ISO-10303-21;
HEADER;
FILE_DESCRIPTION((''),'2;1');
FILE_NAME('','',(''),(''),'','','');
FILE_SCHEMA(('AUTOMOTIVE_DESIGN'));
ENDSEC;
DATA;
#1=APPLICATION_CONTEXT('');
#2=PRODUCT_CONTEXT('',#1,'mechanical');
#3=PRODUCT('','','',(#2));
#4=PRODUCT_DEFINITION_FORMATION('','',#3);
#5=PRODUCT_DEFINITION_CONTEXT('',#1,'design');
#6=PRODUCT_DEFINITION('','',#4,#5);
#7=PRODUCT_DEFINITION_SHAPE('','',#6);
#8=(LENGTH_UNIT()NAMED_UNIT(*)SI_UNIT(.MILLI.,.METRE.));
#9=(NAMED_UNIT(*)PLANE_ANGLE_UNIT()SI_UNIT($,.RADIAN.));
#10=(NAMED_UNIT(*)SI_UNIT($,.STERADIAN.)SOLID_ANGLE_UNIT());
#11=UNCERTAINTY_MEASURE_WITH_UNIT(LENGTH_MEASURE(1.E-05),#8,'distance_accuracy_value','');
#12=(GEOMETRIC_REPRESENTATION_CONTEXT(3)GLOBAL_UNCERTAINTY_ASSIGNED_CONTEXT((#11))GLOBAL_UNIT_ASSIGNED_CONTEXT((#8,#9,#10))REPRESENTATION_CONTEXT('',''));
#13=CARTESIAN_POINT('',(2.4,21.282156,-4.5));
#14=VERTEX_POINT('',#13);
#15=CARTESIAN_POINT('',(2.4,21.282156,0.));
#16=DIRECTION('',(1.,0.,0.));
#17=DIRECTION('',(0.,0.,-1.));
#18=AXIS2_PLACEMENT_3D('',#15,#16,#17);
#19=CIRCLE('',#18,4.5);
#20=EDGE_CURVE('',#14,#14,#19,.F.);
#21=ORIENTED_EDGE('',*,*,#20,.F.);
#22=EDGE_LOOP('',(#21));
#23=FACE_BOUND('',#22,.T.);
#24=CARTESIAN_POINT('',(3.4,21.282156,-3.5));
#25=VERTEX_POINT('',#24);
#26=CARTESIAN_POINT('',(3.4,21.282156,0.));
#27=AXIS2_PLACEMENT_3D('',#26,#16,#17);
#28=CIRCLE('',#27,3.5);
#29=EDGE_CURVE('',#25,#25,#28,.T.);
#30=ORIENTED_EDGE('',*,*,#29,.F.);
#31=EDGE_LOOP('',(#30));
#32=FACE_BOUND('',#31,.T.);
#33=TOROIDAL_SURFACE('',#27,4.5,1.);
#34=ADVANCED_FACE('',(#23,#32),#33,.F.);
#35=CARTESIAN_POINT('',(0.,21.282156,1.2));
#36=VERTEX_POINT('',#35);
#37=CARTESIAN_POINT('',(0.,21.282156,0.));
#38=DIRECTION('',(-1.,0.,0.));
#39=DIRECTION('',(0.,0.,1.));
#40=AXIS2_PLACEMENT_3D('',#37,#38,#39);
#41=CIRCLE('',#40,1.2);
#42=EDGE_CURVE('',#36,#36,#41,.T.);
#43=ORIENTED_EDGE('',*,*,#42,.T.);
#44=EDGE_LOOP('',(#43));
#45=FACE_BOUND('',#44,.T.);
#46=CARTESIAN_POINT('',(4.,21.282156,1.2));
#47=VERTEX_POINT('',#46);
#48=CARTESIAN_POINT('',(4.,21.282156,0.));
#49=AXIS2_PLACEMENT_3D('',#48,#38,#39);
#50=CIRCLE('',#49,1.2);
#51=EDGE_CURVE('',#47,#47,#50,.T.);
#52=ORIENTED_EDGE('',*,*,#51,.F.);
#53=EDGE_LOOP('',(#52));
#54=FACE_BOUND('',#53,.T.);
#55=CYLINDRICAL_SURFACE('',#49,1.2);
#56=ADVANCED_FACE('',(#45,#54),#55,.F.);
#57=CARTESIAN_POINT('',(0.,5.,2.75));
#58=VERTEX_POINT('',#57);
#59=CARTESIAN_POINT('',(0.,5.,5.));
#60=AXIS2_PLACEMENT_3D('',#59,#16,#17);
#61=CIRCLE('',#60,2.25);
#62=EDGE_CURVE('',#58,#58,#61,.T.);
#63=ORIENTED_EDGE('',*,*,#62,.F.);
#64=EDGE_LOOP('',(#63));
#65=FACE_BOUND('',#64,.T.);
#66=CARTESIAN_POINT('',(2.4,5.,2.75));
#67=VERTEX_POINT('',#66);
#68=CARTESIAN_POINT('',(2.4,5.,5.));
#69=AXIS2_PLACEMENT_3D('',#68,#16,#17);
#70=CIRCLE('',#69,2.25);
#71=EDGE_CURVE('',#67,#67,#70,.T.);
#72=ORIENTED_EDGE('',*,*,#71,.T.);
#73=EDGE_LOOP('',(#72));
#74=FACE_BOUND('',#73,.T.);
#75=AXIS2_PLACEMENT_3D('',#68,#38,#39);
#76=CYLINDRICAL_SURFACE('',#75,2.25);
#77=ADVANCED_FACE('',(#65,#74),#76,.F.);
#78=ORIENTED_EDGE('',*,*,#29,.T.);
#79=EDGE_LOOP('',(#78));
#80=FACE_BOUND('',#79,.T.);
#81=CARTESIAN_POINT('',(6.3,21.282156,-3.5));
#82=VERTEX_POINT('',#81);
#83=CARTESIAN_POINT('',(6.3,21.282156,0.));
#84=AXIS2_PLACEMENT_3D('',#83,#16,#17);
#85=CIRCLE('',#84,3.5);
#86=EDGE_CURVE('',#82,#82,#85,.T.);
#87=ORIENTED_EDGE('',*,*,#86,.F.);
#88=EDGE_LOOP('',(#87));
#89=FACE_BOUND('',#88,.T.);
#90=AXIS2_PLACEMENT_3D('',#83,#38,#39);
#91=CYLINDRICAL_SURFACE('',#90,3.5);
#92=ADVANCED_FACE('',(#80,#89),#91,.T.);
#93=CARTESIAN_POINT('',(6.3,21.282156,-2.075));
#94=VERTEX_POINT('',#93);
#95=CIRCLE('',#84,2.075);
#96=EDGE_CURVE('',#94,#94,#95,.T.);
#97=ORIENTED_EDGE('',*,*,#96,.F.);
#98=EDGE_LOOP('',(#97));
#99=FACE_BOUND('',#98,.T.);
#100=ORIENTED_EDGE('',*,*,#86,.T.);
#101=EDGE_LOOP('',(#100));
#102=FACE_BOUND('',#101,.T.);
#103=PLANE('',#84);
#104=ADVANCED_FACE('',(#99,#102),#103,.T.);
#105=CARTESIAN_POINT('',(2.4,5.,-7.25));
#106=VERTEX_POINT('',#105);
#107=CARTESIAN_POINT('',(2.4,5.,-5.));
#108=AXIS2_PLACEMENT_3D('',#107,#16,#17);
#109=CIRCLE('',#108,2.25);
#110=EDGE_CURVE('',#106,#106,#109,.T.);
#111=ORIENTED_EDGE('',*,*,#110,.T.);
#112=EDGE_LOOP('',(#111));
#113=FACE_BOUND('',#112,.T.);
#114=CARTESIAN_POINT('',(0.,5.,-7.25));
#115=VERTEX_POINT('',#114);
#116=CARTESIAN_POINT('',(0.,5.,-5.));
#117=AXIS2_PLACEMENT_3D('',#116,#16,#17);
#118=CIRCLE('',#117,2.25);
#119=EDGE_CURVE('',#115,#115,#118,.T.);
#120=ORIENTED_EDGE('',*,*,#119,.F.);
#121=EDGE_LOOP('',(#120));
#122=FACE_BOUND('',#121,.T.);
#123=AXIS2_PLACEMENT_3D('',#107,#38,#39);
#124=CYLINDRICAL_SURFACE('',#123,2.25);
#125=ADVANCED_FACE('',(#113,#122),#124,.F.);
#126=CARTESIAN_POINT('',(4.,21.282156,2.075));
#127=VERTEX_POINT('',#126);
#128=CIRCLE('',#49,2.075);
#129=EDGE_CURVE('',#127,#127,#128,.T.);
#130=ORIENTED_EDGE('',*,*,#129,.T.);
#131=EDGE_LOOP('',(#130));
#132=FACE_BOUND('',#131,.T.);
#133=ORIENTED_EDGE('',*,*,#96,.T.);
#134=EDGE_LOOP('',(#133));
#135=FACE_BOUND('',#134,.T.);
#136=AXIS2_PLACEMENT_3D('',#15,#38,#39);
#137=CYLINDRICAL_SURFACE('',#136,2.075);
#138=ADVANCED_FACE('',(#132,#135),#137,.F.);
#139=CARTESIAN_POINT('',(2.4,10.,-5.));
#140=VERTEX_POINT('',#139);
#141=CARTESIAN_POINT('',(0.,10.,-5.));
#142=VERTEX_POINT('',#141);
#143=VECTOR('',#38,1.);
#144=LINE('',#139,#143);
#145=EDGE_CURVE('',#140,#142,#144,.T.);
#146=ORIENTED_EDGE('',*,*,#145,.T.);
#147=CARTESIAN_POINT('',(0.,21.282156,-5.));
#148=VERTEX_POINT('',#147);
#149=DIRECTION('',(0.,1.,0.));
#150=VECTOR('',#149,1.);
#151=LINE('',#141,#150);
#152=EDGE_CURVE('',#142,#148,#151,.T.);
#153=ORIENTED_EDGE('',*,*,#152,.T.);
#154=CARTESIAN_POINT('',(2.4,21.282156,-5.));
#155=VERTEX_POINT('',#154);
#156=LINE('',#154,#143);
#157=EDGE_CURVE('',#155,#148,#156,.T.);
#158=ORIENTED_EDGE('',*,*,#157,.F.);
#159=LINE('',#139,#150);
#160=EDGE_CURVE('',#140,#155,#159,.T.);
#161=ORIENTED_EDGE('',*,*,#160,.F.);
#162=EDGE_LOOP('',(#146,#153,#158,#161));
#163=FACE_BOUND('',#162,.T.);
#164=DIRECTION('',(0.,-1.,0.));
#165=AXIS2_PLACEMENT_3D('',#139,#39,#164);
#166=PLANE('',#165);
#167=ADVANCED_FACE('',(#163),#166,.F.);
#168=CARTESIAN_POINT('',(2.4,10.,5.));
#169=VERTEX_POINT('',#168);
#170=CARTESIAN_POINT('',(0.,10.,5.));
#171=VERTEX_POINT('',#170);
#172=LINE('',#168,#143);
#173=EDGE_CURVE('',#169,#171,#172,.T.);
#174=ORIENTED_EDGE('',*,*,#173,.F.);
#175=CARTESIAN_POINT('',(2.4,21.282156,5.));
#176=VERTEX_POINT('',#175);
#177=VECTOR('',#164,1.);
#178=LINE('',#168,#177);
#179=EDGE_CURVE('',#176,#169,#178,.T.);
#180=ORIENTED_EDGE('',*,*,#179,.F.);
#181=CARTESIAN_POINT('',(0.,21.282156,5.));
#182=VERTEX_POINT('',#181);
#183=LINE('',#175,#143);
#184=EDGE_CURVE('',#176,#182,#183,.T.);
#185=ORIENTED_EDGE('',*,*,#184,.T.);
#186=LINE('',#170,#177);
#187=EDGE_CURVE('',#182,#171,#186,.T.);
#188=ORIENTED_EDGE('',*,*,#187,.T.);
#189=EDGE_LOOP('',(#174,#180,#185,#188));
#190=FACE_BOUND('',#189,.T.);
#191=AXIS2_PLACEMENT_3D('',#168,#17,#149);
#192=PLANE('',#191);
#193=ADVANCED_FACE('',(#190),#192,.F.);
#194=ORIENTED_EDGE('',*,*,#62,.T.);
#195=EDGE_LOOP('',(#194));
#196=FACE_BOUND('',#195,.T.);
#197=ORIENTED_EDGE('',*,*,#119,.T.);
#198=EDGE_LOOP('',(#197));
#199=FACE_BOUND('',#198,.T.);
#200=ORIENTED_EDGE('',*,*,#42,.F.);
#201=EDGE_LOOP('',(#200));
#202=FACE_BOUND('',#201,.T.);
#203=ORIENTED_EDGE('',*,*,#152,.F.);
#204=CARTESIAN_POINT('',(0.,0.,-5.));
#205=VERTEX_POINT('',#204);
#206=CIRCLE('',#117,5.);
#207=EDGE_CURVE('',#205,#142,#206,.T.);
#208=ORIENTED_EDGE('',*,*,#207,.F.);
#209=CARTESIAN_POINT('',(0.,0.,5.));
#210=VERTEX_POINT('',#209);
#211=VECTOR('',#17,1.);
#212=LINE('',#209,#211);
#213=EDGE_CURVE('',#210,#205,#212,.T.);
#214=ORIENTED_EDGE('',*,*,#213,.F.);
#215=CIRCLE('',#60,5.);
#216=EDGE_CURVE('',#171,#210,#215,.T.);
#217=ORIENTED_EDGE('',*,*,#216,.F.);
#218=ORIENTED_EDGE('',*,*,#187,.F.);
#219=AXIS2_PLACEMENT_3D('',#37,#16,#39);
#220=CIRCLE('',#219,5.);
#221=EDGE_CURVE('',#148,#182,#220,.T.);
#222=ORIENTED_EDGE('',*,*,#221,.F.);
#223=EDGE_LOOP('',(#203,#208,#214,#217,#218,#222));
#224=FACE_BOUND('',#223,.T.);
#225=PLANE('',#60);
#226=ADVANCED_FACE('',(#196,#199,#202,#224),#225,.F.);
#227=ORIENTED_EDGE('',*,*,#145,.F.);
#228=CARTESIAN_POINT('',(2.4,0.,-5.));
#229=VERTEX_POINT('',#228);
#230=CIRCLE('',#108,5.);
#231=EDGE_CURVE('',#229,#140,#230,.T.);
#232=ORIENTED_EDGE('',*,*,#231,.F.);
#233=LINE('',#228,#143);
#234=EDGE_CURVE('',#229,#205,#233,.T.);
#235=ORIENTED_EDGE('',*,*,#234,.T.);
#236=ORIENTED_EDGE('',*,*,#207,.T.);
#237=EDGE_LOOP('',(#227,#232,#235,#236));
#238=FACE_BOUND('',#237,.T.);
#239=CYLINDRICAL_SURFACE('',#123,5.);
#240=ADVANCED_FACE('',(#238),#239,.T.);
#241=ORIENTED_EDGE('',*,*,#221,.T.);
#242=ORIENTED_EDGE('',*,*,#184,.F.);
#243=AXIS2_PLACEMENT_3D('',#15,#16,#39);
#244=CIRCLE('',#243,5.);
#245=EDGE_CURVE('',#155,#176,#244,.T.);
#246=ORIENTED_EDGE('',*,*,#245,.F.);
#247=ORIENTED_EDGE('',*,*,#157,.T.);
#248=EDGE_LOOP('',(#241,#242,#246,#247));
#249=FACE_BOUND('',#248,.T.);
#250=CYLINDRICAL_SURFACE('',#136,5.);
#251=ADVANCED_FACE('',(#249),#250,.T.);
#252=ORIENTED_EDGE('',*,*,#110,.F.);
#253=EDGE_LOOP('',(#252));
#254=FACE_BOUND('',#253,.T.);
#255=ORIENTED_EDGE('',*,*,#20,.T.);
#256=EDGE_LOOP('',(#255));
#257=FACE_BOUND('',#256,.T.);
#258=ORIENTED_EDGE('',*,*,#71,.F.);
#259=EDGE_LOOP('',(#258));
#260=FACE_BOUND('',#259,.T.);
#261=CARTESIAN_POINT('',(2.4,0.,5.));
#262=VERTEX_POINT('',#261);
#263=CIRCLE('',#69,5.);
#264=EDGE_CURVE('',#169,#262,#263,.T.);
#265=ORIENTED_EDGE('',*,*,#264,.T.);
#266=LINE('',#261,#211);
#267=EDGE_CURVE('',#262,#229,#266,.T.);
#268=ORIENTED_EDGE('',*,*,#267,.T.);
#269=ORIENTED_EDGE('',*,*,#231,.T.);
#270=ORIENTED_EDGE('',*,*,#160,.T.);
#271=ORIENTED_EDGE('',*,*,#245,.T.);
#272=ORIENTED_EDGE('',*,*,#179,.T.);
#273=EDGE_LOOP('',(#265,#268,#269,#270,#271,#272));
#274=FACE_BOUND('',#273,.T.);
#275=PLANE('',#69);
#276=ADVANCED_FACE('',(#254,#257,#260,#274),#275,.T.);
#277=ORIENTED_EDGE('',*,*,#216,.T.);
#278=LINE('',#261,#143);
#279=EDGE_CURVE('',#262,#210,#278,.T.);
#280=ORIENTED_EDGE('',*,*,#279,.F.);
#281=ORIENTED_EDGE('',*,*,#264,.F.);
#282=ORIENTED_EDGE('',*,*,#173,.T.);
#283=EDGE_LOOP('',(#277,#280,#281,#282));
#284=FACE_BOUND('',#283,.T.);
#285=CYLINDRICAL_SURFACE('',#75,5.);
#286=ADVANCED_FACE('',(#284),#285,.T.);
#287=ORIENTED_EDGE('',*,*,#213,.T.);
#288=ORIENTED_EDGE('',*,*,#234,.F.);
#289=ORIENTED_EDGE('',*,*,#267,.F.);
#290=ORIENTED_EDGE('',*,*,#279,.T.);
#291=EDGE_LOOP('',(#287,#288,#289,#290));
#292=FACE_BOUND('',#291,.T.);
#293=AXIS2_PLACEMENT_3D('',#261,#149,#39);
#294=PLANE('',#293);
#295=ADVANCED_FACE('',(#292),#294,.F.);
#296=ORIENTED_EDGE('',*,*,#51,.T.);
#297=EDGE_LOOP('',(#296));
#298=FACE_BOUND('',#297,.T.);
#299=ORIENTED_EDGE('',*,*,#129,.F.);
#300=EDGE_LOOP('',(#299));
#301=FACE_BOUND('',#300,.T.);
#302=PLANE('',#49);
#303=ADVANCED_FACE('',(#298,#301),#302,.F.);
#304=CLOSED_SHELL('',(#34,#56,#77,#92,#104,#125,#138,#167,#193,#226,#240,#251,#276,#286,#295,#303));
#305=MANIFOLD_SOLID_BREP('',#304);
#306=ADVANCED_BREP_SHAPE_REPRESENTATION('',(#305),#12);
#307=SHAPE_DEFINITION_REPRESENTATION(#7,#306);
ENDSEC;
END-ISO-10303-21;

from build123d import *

# Parameters (mm, degrees)
SKETCH_1_R      = 2.25
SKETCH_1_R_2    = 2.075
EXTRUDE_1_DEPTH = 2.4
SKETCH_4_R      = 3.5
SKETCH_4_R_2    = 2.075
EXTRUDE_2_DEPTH = 3.9
FILLET_1_R      = 1
SKETCH_5_R      = 2.075
SKETCH_5_R_2    = 1.2
EXTRUDE_3_DEPTH = 4


with BuildPart() as part:
    # 草图1 → 凸台-拉伸1 (new body)
    with BuildSketch(Plane(origin=(0, 0, 0), x_dir=(0, 0, -1), z_dir=(1, 0, 0))):
        with BuildLine():
            Line((-5, 0), (5, 0))
            ThreePointArc((5, 0), (10, 5), (5, 10))
            Line((5, 10), (5, 21.282156306))
            ThreePointArc((5, 21.282156306), (0, 26.282156306), (-5, 21.282156306))
            Line((-5, 21.282156306), (-5, 10))
            ThreePointArc((-5, 10), (-10, 5), (-5, 0))
        make_face()
        with Locations((-5, 5)):
            Circle(SKETCH_1_R, mode=Mode.SUBTRACT)
        with Locations((5, 5)):
            Circle(SKETCH_1_R, mode=Mode.SUBTRACT)
        with Locations((0, 21.282156306)):
            Circle(SKETCH_1_R_2, mode=Mode.SUBTRACT)
    extrude(amount=EXTRUDE_1_DEPTH)

    # 草图4 → 凸台-拉伸2 (add)
    with BuildSketch(Plane(origin=(2.4, 0, 0), x_dir=(0, 0, -1), z_dir=(1, 0, 0))):
        with Locations((0, 21.282156306)):
            Circle(SKETCH_4_R)
        with Locations((0, 21.282156306)):
            Circle(SKETCH_4_R_2, mode=Mode.SUBTRACT)
    extrude(amount=EXTRUDE_2_DEPTH)

    # 圆角1
    fillet_1_edges = [part.edges().sort_by_distance(p)[0] for p in [
        (2.4, 21.282156306, 3.5),
    ]]
    fillet(fillet_1_edges, radius=FILLET_1_R)

    # 草图5 → 凸台-拉伸3 (add)
    with BuildSketch(Plane.ZY):
        with Locations((0, 21.282156306)):
            Circle(SKETCH_5_R)
        with Locations((0, 21.282156306)):
            Circle(SKETCH_5_R_2, mode=Mode.SUBTRACT)
    extrude(amount=-EXTRUDE_3_DEPTH)


solid = part.part
